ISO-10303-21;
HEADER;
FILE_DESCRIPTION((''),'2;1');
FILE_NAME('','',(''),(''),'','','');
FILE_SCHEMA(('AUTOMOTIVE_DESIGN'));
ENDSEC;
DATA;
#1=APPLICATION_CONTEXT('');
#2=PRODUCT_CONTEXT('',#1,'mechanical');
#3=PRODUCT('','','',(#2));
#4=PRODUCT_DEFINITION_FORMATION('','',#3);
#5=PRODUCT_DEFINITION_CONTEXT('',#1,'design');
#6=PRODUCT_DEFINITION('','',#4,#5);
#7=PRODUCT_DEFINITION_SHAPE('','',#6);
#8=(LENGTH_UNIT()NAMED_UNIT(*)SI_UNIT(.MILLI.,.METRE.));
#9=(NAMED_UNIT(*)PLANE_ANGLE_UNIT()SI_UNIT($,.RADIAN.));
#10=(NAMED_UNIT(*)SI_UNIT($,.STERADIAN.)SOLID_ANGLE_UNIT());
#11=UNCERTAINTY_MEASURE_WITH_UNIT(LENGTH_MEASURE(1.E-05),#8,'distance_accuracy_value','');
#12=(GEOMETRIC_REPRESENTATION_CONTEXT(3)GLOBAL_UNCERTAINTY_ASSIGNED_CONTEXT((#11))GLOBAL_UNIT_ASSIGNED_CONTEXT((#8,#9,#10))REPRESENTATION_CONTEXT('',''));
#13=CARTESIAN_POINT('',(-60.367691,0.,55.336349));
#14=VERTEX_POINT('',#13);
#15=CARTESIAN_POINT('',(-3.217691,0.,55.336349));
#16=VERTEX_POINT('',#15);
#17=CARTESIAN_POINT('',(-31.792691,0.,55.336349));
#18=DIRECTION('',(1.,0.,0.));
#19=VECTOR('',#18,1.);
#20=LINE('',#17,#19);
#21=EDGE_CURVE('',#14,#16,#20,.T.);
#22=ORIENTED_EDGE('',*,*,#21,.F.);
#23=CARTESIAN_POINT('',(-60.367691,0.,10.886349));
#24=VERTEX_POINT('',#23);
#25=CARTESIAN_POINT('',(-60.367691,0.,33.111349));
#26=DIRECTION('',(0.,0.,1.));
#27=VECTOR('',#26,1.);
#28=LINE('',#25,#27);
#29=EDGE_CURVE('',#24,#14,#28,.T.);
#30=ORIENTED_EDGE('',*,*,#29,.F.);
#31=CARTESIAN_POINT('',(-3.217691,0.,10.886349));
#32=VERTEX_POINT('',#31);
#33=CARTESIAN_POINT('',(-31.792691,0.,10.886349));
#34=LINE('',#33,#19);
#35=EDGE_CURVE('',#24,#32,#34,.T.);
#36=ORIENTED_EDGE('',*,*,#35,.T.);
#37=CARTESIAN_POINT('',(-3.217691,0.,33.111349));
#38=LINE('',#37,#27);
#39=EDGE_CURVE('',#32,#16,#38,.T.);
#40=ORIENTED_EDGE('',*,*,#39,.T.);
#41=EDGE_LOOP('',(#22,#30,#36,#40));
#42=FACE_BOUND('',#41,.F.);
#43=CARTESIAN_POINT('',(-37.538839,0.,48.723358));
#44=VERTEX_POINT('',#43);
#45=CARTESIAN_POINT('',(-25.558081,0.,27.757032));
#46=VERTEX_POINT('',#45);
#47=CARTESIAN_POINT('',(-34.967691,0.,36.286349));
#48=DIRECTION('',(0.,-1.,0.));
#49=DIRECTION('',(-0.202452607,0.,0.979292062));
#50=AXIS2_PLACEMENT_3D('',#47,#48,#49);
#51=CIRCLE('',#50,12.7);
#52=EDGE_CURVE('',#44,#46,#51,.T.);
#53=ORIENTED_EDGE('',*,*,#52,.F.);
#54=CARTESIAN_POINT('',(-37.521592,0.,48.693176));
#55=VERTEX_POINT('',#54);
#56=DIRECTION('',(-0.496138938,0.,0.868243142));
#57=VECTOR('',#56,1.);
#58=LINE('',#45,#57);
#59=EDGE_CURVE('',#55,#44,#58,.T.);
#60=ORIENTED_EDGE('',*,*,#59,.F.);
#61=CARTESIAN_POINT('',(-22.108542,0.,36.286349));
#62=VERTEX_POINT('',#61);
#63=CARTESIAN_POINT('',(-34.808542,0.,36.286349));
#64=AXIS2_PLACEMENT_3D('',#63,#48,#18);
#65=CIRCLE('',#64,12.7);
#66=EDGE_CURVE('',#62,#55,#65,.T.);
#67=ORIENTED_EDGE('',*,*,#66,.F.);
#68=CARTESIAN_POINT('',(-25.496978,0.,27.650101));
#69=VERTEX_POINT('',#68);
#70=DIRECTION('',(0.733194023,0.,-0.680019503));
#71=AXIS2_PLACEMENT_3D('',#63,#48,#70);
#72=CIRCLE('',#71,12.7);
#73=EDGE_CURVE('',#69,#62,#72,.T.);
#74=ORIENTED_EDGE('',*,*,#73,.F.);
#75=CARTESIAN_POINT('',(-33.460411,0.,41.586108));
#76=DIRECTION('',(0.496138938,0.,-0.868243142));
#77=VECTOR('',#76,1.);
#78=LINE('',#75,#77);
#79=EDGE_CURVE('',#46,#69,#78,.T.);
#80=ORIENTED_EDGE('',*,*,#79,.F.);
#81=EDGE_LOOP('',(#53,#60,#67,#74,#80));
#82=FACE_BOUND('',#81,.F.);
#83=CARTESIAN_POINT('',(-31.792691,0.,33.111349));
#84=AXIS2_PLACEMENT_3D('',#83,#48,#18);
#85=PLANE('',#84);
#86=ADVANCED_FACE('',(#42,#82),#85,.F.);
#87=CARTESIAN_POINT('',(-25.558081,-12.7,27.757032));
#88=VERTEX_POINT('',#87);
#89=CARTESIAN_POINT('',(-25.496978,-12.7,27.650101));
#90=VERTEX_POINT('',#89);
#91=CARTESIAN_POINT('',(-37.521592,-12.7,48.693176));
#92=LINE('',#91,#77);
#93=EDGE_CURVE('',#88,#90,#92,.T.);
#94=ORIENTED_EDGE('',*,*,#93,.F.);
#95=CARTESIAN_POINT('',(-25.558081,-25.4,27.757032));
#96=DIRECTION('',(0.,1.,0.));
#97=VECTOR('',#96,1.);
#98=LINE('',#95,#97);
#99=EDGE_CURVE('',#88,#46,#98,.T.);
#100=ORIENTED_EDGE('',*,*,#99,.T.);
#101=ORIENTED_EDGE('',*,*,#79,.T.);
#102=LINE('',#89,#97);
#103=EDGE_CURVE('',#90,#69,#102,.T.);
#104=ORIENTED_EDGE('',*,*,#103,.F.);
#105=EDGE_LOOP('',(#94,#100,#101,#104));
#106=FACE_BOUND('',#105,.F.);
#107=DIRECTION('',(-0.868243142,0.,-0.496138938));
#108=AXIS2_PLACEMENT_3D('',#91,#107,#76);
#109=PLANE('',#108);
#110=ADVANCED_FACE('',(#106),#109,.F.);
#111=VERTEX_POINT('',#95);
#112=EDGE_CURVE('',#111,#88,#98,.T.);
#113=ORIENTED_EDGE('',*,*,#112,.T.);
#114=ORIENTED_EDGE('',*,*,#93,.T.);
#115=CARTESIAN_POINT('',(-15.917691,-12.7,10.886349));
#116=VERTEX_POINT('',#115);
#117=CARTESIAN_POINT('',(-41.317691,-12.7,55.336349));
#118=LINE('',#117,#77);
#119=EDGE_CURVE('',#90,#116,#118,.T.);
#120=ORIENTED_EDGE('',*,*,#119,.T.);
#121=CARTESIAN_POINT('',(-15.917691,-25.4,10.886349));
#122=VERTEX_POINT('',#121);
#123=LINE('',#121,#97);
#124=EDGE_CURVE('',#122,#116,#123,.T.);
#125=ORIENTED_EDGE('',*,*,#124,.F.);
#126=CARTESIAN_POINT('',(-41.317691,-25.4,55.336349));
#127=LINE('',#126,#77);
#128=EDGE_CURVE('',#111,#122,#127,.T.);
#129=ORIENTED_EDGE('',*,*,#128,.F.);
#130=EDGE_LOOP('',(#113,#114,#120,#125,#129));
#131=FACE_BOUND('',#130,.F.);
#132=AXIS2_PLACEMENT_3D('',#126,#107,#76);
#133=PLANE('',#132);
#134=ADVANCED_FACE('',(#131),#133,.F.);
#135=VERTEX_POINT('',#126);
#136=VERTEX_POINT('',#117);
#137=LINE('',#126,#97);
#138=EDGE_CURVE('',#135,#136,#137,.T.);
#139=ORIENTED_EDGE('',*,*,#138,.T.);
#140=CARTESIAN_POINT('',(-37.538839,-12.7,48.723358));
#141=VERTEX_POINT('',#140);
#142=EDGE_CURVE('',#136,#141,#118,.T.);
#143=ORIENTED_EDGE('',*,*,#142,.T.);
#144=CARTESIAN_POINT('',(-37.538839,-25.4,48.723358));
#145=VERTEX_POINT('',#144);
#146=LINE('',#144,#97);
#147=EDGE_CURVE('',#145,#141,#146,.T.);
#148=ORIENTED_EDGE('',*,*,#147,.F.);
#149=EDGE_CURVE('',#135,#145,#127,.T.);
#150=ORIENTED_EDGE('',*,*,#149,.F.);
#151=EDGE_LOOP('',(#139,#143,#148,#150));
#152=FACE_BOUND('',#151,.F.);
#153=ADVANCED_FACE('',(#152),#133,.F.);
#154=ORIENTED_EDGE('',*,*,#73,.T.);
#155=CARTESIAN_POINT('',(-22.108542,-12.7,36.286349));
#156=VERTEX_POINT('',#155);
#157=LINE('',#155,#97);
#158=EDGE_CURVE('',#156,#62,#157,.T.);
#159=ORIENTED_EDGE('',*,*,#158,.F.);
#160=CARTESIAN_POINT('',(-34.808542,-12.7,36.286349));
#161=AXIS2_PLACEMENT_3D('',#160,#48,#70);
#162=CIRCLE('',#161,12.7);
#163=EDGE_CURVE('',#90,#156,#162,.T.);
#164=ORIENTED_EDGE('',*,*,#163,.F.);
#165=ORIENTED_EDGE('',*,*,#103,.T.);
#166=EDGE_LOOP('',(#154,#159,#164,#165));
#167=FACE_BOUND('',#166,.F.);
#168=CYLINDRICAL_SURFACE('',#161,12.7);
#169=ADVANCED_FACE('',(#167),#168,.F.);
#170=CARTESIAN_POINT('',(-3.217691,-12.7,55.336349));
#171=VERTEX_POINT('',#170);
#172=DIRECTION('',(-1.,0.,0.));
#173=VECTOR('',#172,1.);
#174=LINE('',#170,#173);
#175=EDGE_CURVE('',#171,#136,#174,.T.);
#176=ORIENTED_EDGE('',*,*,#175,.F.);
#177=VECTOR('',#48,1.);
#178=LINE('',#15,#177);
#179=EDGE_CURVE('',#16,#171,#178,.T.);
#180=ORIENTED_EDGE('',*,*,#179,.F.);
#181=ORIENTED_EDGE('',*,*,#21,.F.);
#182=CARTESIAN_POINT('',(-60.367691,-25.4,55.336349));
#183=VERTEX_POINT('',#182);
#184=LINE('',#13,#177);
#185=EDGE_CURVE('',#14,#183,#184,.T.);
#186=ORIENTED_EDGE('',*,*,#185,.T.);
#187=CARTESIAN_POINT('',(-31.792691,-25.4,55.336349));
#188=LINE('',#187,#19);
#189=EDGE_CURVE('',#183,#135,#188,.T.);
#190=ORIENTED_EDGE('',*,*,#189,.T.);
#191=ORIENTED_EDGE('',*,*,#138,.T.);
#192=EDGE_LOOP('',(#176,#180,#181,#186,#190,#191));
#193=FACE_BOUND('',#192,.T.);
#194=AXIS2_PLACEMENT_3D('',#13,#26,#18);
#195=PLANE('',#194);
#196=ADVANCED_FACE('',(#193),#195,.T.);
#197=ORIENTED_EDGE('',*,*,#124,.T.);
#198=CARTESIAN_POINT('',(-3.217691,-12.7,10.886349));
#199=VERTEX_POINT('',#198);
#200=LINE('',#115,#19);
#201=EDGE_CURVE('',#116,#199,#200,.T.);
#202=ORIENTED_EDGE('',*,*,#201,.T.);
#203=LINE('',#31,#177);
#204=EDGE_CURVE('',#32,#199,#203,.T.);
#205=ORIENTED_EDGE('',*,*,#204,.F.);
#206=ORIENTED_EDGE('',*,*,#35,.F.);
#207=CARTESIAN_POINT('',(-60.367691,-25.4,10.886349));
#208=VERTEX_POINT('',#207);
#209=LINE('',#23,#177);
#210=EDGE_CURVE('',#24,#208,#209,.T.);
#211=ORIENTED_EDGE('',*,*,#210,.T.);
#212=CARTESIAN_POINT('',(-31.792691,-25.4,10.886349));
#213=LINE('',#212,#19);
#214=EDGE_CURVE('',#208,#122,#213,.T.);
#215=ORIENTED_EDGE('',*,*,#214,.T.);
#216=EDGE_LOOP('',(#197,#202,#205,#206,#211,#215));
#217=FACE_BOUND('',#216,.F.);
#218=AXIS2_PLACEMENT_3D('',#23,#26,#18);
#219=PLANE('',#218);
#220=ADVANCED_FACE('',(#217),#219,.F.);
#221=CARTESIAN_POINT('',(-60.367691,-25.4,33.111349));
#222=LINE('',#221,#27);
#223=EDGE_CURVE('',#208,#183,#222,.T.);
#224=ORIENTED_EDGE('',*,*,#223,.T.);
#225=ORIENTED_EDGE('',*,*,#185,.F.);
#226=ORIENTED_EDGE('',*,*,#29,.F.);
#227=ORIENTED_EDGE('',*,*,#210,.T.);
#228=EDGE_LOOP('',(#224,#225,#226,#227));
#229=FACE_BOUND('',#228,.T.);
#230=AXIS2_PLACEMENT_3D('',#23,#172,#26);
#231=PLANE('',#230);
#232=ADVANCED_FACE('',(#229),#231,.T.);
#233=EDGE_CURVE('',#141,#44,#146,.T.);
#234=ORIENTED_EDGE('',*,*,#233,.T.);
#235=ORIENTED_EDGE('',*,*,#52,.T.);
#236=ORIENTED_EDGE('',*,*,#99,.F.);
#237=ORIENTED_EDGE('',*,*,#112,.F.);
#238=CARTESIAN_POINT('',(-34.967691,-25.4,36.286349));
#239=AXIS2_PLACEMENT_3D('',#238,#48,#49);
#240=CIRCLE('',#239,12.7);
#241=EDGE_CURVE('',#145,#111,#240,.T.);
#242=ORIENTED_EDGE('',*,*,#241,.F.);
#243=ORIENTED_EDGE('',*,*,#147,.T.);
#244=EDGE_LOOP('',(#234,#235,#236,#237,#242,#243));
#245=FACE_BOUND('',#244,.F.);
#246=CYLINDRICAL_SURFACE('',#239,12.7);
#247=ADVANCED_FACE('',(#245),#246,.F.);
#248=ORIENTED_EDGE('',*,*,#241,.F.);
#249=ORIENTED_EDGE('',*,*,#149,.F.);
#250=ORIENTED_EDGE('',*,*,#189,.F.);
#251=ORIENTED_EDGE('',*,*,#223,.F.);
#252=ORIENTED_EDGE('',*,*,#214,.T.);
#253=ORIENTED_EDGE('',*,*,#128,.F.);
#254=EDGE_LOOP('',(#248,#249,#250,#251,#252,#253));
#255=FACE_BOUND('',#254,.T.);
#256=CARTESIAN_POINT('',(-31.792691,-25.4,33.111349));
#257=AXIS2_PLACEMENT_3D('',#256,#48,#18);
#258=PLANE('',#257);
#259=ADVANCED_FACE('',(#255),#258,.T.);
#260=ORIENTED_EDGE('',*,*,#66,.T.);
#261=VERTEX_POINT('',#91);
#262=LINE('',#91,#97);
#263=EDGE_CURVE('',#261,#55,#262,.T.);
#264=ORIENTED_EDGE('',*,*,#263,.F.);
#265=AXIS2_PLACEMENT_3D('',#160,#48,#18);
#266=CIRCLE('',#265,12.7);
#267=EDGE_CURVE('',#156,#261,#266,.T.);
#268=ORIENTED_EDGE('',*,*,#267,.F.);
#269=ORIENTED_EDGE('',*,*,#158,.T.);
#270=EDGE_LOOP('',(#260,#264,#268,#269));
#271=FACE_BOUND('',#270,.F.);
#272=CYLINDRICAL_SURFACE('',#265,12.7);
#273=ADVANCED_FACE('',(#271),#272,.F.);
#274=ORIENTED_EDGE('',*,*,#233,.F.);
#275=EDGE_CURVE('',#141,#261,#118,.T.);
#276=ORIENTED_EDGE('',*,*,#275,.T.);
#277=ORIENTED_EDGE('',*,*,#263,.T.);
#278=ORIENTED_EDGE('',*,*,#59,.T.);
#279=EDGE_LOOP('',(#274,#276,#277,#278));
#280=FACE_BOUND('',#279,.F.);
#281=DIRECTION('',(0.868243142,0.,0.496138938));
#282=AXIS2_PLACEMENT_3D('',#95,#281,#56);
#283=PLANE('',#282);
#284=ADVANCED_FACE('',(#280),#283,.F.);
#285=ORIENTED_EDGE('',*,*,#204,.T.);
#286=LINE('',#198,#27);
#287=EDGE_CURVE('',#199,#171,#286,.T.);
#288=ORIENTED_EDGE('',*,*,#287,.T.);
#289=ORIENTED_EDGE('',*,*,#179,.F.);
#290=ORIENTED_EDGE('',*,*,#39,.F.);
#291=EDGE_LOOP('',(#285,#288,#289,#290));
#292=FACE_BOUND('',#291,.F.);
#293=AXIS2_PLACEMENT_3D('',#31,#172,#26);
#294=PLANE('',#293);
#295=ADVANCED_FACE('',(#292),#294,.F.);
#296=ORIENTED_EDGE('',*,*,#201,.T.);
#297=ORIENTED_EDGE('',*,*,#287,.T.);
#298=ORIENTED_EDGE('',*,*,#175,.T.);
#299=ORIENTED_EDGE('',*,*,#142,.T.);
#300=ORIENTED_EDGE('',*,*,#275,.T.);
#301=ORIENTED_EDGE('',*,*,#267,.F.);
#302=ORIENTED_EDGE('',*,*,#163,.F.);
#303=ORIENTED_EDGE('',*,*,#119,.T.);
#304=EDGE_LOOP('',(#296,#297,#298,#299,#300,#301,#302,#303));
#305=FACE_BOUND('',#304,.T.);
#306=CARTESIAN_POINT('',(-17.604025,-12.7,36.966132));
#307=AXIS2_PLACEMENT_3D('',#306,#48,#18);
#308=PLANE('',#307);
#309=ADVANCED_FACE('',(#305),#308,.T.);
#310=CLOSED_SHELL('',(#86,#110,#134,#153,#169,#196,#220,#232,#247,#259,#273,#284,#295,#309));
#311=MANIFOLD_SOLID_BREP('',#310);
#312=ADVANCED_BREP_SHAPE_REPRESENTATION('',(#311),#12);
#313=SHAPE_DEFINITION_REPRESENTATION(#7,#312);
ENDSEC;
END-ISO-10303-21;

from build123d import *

# Parameters (mm, degrees)
F0_W     = 57.15
F0_H     = 44.45
F1_DEPTH = 25.4
F3_DEPTH = 12.7
F5_DEPTH = 25.4
F7_DEPTH = 25.4


with BuildPart() as f1:
    # F0 (on Front) → F1 (new body)
    with BuildSketch(Plane.XZ):
        with Locations((-31.7926909775, 33.1113487823)):
            Rectangle(F0_W, F0_H)
    extrude(amount=F1_DEPTH)

    # F2 (on face) → F3 (cut)
    with BuildSketch(Plane.XZ.offset(25.4)):
        Polygon((-3.2176909775, 55.3363487823), (-41.3176909775, 55.3363487823), (-15.9176909775, 10.8863487823), (-3.2176909775, 10.8863487823), align=None)
    extrude(amount=-F3_DEPTH, mode=Mode.SUBTRACT)

    # F4 (on face) → F5 (cut)
    with BuildSketch(Plane.XZ.offset(12.7)):
        with BuildLine():
            ThreePointArc((-25.4969780125, 27.6501010936), (-22.985960662, 31.6477533043), (-22.1085421056, 36.2863487823))
            ThreePointArc((-22.1085421056, 36.2863487823), (-26.8450546809, 46.1794205013), (-37.5215921901, 48.6931759045))
            Line((-37.5215921901, 48.6931759045), (-25.4969780125, 27.6501010936))
        make_face()
    extrude(amount=-F5_DEPTH, mode=Mode.SUBTRACT)

    # F6 (on face) → F7 (cut)
    with BuildSketch(Plane.XZ.offset(25.4)):
        with BuildLine():
            Line((-25.5580813343, 27.7570319068), (-37.5388390822, 48.7233579656))
            ThreePointArc((-37.5388390822, 48.7233579656), (-45.9943788824, 29.9853842652), (-25.5580813343, 27.7570319068))
        make_face()
    extrude(amount=-F7_DEPTH, mode=Mode.SUBTRACT)


solid = f1.part
